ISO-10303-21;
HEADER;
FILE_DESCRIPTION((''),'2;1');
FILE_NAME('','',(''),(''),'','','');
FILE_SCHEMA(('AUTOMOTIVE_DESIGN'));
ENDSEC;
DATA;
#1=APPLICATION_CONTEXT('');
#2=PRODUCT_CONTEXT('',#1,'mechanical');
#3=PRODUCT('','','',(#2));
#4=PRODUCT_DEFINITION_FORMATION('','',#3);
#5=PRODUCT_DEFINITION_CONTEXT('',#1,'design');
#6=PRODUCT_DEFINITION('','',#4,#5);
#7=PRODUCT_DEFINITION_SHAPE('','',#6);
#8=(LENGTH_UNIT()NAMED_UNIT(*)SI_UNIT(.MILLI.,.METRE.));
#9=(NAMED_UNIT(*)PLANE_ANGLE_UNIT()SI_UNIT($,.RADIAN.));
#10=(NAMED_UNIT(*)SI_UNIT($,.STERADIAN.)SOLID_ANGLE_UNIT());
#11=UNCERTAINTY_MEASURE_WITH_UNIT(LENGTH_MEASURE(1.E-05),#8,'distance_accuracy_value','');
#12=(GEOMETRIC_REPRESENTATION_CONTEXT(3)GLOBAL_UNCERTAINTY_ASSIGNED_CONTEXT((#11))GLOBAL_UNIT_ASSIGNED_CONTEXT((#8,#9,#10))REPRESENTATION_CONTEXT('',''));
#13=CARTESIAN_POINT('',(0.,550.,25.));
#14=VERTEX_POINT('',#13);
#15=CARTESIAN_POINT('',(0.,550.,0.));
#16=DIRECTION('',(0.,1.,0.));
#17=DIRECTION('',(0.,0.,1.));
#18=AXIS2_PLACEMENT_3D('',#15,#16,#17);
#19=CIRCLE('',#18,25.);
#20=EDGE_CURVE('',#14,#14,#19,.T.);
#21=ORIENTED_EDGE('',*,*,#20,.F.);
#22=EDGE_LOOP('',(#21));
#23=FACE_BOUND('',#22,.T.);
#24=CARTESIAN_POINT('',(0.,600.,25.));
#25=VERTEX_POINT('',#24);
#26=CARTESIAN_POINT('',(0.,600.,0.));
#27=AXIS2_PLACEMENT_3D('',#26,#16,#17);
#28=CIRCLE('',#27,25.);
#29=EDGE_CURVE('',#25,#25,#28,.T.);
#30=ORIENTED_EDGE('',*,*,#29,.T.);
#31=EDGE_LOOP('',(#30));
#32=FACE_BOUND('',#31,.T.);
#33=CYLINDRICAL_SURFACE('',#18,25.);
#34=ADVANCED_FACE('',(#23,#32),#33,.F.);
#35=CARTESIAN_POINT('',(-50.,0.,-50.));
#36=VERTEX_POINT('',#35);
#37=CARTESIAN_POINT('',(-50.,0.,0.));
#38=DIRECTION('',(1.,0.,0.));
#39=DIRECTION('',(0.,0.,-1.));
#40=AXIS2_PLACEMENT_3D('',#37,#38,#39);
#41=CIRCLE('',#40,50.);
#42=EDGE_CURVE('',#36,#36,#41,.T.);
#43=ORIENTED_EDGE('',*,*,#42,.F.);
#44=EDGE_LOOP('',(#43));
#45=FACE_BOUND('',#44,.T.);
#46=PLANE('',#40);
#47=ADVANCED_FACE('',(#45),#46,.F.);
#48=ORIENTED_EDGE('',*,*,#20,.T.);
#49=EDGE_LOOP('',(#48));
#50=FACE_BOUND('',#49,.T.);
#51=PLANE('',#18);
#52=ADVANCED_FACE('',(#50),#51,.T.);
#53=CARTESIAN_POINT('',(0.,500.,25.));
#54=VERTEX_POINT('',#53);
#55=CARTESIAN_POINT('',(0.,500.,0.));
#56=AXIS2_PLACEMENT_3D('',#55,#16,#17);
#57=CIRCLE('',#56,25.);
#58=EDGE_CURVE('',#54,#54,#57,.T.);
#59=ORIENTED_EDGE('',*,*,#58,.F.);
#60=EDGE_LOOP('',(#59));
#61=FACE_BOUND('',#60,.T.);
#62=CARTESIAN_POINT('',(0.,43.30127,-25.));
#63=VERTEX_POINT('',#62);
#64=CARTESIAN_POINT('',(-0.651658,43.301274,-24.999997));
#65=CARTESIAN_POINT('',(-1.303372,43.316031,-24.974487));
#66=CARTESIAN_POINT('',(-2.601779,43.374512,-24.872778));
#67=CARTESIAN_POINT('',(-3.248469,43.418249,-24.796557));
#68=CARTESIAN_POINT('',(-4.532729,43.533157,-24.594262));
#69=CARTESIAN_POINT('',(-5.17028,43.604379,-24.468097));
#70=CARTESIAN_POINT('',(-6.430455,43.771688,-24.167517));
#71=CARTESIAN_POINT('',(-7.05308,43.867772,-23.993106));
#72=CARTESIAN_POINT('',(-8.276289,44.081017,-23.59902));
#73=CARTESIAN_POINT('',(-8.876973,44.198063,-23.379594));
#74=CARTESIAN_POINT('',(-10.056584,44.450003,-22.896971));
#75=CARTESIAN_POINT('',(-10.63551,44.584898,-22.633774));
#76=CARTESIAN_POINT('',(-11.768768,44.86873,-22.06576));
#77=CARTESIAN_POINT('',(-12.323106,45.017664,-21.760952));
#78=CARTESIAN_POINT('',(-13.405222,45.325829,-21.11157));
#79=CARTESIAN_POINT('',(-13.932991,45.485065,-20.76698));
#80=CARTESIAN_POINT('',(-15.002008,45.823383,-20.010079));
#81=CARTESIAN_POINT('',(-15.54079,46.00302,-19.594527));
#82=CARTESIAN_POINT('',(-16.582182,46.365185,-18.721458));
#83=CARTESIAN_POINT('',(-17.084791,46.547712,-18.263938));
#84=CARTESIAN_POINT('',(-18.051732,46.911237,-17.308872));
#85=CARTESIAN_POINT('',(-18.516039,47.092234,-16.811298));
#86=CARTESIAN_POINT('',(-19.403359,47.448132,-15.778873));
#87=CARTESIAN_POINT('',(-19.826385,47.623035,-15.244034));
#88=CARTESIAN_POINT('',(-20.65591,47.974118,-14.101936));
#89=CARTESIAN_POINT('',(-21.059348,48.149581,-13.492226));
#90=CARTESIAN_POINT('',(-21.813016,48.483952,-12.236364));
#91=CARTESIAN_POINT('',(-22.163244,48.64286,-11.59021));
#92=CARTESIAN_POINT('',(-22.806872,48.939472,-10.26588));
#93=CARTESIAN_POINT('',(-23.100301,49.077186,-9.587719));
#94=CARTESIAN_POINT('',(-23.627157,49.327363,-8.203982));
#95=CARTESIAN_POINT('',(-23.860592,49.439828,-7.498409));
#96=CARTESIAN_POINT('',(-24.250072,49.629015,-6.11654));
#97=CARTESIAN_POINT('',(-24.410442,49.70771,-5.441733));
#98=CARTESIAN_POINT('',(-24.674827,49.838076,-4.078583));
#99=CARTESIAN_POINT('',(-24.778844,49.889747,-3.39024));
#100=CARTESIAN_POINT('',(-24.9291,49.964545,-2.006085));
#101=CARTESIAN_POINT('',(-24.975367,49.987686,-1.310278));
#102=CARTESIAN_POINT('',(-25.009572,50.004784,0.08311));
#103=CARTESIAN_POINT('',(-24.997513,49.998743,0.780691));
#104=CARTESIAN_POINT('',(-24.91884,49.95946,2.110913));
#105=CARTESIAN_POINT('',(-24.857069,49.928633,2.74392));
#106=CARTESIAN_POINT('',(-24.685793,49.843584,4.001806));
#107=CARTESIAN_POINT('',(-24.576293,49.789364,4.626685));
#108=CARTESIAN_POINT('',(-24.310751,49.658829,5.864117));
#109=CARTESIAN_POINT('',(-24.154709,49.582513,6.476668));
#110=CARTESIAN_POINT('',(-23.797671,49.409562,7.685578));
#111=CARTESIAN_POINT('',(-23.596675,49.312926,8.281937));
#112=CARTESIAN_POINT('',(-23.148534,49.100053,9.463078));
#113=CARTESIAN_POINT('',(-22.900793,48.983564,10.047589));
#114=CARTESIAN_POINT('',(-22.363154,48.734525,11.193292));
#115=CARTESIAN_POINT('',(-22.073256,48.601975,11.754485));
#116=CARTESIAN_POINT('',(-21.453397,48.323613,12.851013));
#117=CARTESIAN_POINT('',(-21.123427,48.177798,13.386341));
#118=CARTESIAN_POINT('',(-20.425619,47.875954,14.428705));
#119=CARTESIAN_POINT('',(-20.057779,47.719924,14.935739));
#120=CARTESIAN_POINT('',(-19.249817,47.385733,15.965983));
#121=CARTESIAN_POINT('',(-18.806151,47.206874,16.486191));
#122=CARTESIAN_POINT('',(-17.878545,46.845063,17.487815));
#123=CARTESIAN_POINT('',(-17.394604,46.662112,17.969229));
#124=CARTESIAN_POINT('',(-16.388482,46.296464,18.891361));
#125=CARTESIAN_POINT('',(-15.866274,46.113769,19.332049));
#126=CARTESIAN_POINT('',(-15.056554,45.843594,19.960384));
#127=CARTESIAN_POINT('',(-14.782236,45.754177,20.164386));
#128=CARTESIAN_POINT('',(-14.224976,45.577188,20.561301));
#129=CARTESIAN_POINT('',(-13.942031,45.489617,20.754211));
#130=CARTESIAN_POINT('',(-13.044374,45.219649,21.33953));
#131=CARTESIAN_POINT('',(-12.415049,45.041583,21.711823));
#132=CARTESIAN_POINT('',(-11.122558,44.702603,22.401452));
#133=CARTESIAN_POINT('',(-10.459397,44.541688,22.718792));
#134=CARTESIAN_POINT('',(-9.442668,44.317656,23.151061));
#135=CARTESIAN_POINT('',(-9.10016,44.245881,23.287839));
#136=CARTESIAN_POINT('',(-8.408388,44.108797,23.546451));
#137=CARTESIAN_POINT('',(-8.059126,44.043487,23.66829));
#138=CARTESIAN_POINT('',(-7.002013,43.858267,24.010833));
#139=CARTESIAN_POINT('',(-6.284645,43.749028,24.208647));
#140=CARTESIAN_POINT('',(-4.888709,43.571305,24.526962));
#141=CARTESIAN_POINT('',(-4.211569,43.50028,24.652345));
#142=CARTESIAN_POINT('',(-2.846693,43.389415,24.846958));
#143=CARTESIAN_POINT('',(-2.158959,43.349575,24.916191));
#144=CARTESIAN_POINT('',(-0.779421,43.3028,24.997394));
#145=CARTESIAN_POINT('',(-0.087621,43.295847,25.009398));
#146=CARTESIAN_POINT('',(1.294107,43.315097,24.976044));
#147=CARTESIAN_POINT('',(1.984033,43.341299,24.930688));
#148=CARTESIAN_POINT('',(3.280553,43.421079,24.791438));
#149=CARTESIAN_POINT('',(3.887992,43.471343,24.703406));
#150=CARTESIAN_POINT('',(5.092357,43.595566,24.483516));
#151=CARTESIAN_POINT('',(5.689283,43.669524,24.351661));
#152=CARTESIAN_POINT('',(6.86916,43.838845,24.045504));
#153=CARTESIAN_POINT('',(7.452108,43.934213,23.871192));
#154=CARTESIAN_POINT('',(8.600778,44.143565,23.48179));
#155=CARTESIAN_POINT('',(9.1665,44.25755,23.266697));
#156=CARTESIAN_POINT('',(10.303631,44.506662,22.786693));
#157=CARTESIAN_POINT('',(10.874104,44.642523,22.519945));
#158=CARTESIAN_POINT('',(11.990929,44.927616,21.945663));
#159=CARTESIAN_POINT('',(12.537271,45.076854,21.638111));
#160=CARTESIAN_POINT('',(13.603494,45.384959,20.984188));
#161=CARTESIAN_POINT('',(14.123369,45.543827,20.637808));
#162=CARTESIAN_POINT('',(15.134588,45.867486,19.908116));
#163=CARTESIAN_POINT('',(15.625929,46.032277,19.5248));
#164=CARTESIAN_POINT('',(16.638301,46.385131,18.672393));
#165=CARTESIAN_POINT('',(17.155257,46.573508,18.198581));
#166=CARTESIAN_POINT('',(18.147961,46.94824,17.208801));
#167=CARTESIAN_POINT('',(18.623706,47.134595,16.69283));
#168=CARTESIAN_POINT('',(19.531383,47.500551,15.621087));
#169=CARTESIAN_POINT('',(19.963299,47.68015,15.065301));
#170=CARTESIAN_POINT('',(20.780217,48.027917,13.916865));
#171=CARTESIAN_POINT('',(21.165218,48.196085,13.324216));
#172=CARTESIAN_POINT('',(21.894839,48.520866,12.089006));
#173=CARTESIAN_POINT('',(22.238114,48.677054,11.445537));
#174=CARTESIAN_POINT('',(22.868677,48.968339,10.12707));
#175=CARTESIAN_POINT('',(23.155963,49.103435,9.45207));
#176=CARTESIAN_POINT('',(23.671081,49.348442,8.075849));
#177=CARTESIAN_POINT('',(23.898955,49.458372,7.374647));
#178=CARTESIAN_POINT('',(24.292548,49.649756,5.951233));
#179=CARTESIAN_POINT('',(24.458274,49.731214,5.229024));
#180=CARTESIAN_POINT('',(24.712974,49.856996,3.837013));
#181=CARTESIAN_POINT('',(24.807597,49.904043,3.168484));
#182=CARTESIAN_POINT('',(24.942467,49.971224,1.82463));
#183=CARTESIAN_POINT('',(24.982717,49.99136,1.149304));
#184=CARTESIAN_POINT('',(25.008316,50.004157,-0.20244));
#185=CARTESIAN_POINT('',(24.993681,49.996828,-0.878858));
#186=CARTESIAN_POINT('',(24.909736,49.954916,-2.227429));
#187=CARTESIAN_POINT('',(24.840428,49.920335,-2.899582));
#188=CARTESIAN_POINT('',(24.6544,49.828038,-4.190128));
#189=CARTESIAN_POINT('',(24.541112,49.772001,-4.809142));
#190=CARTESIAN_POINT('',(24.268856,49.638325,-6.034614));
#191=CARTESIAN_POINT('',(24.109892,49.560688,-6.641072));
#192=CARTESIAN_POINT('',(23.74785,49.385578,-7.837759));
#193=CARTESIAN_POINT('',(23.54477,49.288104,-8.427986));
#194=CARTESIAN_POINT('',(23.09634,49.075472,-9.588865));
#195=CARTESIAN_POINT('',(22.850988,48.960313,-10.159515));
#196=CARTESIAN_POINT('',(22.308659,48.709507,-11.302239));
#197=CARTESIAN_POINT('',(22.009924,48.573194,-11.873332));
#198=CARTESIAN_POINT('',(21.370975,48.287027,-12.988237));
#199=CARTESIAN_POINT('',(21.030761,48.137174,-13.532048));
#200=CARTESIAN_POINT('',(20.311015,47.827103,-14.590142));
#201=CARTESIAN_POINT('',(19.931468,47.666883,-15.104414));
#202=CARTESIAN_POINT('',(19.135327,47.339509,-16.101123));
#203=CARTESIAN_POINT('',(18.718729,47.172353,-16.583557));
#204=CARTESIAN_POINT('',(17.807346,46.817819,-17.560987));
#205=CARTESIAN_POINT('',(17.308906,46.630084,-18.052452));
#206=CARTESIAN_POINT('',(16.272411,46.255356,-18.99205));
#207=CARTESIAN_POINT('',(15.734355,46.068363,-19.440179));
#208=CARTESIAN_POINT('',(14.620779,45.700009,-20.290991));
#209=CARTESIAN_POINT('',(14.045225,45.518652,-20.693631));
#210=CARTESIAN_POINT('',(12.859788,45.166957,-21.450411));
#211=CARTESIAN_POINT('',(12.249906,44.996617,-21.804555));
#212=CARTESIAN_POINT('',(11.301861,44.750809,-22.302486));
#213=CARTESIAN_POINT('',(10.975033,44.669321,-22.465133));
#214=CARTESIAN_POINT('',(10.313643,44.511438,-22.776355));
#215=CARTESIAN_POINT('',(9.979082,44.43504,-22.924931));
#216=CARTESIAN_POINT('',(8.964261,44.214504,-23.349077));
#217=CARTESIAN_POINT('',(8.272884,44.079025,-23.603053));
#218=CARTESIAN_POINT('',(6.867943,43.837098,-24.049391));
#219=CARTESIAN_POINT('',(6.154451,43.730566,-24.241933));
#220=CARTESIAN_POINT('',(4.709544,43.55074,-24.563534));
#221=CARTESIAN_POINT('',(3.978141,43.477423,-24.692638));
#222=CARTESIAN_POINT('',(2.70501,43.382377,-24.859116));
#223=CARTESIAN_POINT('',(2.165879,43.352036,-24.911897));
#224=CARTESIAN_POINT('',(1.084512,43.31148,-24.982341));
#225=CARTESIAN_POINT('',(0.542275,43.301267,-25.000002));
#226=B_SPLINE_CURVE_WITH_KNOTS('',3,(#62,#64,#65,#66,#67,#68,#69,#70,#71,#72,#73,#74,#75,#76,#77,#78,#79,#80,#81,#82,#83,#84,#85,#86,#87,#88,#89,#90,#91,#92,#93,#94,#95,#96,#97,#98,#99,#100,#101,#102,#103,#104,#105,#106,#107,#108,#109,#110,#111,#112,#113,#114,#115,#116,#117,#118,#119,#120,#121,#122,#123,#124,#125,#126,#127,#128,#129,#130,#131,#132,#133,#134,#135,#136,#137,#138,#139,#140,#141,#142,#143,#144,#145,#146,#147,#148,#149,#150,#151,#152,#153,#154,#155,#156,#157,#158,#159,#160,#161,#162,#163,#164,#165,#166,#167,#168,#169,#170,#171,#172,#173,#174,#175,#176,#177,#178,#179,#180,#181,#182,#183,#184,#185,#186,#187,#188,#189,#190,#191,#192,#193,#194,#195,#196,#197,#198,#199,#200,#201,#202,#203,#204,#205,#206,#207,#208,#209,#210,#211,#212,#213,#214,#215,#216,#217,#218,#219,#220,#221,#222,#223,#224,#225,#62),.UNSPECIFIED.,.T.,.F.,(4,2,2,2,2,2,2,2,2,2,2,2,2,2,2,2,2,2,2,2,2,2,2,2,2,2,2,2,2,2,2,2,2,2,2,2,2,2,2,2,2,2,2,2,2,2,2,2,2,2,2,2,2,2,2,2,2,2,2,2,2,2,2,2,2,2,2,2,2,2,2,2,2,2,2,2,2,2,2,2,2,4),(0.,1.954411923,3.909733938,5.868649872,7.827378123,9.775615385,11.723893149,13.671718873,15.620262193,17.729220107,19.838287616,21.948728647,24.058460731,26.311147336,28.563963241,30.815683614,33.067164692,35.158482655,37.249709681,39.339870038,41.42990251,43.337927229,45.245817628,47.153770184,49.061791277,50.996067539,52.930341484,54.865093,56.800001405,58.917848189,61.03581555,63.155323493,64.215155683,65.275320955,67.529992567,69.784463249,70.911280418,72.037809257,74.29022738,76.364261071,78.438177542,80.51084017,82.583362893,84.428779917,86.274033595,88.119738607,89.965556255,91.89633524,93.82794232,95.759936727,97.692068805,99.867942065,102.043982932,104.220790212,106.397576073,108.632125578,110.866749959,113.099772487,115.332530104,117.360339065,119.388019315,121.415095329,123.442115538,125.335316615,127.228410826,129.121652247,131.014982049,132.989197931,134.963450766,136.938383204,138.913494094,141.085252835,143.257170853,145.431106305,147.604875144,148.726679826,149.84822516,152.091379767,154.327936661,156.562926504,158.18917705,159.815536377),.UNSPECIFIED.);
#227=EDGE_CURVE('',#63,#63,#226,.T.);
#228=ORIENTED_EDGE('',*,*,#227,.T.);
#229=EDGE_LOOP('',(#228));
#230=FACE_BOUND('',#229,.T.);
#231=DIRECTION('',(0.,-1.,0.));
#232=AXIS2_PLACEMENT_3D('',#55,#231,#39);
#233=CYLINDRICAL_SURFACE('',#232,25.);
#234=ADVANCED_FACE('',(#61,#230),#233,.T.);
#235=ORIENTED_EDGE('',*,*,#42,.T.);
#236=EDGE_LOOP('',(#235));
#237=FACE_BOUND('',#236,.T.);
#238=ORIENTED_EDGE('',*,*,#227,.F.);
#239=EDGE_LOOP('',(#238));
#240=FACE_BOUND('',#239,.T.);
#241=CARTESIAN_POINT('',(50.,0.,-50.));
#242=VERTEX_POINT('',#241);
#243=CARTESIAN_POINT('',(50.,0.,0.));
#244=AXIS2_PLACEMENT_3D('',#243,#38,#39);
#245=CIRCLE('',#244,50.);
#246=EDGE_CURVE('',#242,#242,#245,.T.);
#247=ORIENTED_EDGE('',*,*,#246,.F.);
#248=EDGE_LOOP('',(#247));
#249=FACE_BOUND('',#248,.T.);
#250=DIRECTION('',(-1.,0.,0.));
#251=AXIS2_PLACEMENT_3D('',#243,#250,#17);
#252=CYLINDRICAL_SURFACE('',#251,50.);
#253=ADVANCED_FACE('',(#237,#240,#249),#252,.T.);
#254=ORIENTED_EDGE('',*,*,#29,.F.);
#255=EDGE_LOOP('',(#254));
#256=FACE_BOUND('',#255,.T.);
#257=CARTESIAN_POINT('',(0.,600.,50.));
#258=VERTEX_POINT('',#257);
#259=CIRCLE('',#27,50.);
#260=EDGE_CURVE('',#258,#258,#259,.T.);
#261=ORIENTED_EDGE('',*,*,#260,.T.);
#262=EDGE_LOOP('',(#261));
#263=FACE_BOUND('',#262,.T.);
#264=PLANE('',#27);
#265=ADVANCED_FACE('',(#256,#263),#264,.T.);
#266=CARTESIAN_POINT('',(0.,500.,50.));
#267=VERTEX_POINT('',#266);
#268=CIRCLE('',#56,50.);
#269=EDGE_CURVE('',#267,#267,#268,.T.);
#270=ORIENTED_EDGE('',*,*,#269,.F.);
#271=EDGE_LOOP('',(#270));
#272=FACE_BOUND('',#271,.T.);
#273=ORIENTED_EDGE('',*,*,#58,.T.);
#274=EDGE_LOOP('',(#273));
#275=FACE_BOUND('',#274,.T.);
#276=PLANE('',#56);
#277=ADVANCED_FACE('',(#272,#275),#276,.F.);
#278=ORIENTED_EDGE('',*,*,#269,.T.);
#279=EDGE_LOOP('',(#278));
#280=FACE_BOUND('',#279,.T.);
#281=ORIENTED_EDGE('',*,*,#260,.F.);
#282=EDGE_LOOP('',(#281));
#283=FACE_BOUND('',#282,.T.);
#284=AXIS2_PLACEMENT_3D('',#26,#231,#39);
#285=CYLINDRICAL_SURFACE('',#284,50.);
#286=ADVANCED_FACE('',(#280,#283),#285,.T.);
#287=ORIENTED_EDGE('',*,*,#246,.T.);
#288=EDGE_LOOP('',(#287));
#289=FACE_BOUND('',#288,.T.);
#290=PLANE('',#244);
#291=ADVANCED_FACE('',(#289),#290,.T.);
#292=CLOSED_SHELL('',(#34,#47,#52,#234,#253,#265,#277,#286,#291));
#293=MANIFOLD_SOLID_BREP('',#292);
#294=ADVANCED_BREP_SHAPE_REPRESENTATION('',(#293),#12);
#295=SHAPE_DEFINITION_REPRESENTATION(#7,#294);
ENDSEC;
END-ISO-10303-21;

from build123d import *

# Parameters (mm, degrees)
CROQUIS1_R              = 50
SALIENTE_EXTRUIR1_DEPTH = 50
CROQUIS2_R              = 25
SALIENTE_EXTRUIR2_DEPTH = 500
CROQUIS3_R              = 50
SALIENTE_EXTRUIR3_DEPTH = 100
CORTAR_EXTRUIR1_START   = -50
CROQUIS4_R              = 25
CORTAR_EXTRUIR1_DEPTH   = 50


with BuildPart() as part:
    # Croquis1 → Saliente-Extruir1 (new, symmetric)
    with BuildSketch(Plane(origin=(0, 0, 0), x_dir=(0, 0, -1), z_dir=(1, 0, 0))):
        Circle(CROQUIS1_R)
    extrude(amount=SALIENTE_EXTRUIR1_DEPTH, both=True)

    # Croquis2 → Saliente-Extruir2 (add)
    with BuildSketch(Plane(origin=(0, 0, 0), x_dir=(1, 0, 0), z_dir=(0, 1, 0))):
        with Locations(Location((0, 0, 0), (0, 0, 90))):
            Circle(CROQUIS2_R)
    extrude(amount=SALIENTE_EXTRUIR2_DEPTH)

    # Croquis3 → Saliente-Extruir3 (add)
    with BuildSketch(Plane(origin=(0, 500, 0), x_dir=(1, 0, 0), z_dir=(0, 1, 0))):
        with Locations(Location((0, 0, 0), (0, 0, 270))):
            Circle(CROQUIS3_R)
    extrude(amount=SALIENTE_EXTRUIR3_DEPTH)

    # Croquis4 → Cortar-Extruir1 (cut)
    with BuildSketch(Plane(origin=(0, 600, 0), x_dir=(1, 0, 0), z_dir=(0, 1, 0)).offset(CORTAR_EXTRUIR1_START)):
        with Locations(Location((0, 0, 0), (0, 0, 90))):
            Circle(CROQUIS4_R)
    extrude(amount=CORTAR_EXTRUIR1_DEPTH, mode=Mode.SUBTRACT)


solid = part.part
